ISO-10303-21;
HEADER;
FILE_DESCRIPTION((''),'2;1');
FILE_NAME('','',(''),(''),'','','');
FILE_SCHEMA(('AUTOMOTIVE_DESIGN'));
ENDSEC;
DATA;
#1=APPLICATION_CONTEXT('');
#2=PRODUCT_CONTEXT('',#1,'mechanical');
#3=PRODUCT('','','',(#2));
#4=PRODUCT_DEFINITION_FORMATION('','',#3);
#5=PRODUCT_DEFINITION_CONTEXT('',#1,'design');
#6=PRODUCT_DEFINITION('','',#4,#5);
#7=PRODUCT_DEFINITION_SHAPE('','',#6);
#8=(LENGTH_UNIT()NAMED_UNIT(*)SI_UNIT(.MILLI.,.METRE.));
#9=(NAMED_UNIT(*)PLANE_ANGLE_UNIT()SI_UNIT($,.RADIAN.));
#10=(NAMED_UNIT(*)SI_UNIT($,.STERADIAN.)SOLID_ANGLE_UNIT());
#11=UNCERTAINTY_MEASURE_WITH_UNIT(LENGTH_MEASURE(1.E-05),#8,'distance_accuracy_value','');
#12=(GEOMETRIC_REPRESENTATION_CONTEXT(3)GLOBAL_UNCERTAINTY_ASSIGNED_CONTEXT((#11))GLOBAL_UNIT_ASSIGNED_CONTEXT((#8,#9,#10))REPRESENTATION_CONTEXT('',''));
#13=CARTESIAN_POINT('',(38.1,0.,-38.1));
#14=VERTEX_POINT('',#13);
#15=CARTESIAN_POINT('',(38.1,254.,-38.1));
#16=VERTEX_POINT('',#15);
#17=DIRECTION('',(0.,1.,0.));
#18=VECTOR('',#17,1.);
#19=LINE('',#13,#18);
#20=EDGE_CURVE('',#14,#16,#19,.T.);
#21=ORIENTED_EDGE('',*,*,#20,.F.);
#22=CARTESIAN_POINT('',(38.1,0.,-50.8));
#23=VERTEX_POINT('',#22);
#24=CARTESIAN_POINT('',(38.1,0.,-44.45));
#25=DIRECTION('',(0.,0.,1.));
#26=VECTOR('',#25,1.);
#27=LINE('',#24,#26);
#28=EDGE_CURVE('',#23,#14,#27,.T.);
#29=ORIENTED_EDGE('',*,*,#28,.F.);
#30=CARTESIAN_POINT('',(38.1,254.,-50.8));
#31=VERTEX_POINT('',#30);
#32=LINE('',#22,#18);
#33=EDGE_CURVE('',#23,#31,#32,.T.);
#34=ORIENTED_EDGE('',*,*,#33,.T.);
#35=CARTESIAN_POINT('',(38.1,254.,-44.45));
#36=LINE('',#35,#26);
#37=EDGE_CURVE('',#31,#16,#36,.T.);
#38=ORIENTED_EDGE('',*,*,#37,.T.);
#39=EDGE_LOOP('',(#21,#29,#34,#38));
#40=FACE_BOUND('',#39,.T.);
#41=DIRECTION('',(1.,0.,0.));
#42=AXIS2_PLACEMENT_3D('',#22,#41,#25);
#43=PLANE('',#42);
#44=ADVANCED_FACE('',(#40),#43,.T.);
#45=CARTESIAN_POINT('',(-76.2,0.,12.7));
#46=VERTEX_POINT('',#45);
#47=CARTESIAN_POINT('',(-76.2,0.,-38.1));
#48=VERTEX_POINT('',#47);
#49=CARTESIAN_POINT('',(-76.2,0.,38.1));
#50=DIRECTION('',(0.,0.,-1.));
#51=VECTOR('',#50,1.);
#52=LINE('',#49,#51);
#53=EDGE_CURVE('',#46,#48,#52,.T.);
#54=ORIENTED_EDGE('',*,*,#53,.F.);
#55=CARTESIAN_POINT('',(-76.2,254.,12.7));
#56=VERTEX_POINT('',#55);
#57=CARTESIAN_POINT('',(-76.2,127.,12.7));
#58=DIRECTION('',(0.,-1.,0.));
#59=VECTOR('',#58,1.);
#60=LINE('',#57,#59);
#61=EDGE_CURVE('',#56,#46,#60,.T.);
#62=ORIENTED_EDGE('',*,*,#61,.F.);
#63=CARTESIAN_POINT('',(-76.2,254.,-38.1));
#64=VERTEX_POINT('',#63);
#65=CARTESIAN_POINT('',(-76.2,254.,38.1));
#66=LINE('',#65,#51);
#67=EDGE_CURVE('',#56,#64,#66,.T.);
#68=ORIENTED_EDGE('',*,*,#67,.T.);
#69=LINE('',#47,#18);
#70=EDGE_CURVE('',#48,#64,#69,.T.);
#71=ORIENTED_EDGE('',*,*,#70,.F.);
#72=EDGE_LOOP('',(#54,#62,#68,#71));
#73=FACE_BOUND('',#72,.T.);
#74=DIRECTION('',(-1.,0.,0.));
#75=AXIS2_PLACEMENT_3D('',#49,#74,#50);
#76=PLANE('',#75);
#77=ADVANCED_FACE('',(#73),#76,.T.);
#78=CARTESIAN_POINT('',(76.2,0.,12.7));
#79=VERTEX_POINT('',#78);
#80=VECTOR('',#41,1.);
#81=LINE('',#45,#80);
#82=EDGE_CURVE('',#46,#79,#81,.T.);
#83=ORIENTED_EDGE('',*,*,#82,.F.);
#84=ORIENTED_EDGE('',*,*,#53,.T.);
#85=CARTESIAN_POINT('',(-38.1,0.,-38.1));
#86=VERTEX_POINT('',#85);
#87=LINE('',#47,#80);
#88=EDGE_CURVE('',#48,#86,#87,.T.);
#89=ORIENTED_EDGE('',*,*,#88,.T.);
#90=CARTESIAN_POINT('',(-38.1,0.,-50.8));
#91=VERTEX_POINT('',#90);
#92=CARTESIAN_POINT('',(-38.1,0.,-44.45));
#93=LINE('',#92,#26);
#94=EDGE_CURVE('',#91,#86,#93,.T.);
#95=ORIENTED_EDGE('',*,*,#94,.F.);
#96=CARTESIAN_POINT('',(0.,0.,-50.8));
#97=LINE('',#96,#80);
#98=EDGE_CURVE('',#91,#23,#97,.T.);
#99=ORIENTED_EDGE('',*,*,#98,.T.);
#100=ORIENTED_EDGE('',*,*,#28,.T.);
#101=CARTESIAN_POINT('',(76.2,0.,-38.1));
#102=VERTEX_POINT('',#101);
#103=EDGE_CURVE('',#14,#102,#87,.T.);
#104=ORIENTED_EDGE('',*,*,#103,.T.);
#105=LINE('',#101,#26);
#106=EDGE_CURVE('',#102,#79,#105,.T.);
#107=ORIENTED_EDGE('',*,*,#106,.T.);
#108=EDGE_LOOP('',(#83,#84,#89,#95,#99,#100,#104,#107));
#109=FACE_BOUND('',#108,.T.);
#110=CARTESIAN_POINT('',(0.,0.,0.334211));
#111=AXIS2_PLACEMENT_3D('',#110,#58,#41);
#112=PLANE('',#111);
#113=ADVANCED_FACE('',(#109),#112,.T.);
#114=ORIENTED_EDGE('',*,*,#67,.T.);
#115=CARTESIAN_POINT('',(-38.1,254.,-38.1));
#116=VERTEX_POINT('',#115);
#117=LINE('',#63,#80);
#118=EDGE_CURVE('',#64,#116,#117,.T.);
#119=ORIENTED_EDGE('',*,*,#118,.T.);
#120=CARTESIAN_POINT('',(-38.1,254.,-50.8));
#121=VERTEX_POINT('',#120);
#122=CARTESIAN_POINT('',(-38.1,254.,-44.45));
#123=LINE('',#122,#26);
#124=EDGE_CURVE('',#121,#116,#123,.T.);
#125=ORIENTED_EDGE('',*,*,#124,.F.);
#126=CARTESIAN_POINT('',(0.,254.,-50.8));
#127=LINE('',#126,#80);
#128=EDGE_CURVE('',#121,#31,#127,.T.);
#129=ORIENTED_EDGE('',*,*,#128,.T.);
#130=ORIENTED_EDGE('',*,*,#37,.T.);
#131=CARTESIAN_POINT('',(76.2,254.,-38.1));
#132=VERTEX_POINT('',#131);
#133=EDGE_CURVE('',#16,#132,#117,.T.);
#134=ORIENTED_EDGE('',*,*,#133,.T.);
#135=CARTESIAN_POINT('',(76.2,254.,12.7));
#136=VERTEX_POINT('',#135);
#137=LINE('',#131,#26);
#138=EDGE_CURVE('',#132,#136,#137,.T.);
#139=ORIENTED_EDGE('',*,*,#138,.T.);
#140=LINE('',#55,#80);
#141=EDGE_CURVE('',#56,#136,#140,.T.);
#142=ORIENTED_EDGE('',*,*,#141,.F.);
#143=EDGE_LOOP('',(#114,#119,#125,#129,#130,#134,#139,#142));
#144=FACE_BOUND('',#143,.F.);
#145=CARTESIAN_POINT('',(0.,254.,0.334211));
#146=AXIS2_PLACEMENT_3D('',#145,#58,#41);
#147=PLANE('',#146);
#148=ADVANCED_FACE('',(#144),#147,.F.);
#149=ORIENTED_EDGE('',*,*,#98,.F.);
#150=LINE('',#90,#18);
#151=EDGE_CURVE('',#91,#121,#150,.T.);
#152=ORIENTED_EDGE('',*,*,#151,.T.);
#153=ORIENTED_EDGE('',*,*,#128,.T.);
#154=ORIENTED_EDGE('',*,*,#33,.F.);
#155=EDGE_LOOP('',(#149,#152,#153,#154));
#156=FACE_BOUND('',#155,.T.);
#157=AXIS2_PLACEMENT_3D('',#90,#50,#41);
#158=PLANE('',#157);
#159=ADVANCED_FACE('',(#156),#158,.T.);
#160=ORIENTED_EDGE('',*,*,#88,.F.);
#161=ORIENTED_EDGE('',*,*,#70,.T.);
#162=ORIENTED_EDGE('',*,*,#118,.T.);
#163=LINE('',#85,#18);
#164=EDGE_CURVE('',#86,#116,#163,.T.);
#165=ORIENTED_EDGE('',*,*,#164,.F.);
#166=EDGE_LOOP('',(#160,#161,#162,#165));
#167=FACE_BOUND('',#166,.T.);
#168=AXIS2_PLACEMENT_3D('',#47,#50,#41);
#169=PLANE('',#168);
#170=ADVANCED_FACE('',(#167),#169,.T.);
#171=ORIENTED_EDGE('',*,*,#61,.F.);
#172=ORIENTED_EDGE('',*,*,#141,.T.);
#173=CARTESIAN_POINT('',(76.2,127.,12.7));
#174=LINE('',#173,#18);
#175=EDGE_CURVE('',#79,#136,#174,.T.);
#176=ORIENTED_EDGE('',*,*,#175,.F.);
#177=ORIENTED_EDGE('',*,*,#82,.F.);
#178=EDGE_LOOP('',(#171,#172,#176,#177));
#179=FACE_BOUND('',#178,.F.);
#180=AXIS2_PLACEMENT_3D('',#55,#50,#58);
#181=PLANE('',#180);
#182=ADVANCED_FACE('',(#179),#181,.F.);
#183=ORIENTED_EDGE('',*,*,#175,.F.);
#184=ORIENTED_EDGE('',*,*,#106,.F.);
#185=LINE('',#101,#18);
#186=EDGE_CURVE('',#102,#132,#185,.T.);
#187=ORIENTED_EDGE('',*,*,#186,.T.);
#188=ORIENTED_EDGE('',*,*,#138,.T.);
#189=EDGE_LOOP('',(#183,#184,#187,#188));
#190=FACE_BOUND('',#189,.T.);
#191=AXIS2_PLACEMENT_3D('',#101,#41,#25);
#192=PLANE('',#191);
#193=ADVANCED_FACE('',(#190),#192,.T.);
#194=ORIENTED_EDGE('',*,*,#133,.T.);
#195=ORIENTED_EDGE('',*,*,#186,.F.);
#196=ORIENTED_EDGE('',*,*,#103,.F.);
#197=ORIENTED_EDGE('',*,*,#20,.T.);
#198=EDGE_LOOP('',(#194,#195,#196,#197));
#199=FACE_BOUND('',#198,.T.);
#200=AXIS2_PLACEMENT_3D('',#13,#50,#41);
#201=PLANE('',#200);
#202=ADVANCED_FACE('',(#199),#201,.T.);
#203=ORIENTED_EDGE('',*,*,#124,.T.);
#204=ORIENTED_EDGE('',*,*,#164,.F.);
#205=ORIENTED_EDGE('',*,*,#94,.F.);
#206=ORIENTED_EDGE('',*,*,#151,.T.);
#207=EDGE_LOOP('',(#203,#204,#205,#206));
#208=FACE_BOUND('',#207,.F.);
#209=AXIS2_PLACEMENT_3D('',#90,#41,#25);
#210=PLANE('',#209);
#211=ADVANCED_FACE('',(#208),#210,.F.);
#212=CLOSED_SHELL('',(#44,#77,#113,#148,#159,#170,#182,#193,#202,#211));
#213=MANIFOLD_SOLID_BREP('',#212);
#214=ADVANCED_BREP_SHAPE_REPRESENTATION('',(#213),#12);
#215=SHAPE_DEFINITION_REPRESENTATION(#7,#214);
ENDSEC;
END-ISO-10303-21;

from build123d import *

# Parameters (mm, degrees)
F0_W     = 76.2
F0_H     = 12.7
F1_DEPTH = 254
F2_W     = 254
F2_H     = 25.4
F3_DEPTH = 152.401


with BuildPart() as f1:
    # F0 (on Front) → F1 (new body)
    with BuildSketch(Plane.XZ):
        Polygon((76.2, -38.1), (76.2, 38.1), (-76.2, 38.1), (-76.2, -38.1), (-38.1, -38.1), (-38.1, -25.4), (38.1, -25.4), (38.1, -38.1), align=None)
        with Locations((0, -31.75)):
            Rectangle(F0_W, F0_H)
        with Locations((0, -44.45)):
            Rectangle(F0_W, F0_H)
    extrude(amount=-F1_DEPTH)

    # F2 (on face) → F3 (cut, through all)
    with BuildSketch(Plane(origin=(-76.2, 0, 0), x_dir=(0, -1, 0), z_dir=(-1, 0, 0))):
        with Locations((-127, 25.4)):
            Rectangle(F2_W, F2_H)
    extrude(amount=-F3_DEPTH, mode=Mode.SUBTRACT)


solid = f1.part
